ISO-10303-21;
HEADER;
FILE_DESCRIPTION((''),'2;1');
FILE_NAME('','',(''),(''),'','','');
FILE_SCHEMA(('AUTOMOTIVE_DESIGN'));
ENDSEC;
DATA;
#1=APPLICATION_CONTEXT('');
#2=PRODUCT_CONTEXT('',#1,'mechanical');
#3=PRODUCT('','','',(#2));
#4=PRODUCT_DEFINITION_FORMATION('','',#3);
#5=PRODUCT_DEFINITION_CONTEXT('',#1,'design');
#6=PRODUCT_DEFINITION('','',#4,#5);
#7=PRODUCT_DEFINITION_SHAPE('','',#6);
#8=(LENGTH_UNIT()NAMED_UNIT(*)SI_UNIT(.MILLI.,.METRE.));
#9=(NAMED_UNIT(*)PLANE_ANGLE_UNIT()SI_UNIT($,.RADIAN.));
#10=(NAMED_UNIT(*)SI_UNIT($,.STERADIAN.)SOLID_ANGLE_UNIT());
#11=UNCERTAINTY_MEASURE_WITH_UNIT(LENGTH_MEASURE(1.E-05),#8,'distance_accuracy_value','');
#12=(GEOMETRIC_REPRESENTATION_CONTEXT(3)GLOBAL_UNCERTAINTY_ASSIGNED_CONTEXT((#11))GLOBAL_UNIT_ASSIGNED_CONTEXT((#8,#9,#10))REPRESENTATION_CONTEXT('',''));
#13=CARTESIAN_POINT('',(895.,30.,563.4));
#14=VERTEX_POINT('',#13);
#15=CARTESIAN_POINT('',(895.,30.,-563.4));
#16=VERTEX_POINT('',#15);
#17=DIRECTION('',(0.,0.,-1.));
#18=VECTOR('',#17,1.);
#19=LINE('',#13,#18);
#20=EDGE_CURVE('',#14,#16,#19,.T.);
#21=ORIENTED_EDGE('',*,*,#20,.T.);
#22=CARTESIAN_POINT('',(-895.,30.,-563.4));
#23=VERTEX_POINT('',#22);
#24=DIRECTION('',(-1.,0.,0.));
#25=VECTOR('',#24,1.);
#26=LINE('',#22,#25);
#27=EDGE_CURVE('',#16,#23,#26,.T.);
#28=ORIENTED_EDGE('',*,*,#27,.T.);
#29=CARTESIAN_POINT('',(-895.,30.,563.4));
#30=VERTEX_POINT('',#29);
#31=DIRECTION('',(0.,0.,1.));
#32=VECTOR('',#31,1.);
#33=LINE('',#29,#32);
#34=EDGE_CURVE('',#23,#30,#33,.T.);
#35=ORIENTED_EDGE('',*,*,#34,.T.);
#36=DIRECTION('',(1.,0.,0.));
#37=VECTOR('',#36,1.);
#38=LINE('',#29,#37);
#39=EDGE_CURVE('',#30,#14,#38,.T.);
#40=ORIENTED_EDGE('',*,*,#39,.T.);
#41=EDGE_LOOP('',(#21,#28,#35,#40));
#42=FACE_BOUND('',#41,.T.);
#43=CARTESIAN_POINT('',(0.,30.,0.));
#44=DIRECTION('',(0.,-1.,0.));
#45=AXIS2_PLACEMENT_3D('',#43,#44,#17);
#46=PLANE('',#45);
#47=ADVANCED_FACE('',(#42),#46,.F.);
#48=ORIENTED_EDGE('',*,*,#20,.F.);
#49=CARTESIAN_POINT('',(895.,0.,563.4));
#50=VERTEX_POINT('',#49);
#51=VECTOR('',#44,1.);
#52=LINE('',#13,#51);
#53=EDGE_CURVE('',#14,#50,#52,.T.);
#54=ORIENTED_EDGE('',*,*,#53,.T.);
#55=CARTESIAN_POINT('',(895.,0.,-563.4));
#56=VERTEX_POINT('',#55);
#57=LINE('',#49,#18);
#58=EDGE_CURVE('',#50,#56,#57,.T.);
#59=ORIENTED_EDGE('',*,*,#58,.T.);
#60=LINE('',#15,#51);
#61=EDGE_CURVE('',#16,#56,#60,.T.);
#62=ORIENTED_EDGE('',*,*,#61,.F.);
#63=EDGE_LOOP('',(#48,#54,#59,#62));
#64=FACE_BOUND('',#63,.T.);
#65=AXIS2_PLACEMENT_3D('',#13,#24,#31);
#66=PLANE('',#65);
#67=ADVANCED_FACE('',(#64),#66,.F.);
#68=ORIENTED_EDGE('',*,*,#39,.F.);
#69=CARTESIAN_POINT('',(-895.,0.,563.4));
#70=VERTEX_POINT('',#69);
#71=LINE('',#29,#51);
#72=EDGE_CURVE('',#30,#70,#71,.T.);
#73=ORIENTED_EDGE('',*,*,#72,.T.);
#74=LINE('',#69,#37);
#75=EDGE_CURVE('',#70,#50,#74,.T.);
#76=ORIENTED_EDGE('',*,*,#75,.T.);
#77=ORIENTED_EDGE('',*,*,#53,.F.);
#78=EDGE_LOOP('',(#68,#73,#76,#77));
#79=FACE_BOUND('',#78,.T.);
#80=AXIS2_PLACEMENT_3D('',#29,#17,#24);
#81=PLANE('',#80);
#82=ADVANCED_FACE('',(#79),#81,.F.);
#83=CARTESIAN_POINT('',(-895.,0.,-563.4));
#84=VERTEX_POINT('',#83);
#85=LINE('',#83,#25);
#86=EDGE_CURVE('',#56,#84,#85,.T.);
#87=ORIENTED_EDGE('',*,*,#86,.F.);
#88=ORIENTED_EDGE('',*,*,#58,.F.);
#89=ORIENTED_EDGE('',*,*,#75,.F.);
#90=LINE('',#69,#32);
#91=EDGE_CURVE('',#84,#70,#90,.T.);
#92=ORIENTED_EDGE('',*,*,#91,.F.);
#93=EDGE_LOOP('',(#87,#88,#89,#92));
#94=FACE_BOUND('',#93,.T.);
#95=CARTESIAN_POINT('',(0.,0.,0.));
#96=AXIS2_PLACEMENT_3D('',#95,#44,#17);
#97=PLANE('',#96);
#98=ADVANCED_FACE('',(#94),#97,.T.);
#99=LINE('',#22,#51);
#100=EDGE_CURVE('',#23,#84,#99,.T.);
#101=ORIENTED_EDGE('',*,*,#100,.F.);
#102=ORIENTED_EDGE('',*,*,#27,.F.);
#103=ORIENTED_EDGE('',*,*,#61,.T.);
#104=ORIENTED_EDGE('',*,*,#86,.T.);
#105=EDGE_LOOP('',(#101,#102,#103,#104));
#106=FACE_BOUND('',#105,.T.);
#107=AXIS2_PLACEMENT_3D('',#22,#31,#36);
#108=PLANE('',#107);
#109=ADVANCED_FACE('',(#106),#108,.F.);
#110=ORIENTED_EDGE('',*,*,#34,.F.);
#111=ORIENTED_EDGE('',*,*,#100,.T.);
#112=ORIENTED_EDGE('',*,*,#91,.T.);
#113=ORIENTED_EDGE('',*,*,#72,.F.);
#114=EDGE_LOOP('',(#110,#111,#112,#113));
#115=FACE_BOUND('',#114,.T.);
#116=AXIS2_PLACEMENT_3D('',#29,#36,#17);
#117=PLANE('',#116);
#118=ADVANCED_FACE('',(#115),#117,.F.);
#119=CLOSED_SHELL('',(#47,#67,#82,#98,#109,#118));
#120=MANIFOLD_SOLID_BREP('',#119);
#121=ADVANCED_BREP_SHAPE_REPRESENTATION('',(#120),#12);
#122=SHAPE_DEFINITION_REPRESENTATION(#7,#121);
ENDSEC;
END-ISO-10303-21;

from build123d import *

# Parameters (mm, degrees)
ESBO_O2_W                = 1790
ESBO_O2_H                = 1126.8
RESSALTO_EXTRUS_O1_DEPTH = 30


with BuildPart() as part:
    # Esboço2 → Ressalto-extrusão1 (new body)
    with BuildSketch(Plane(origin=(0, 0, 0), x_dir=(1, 0, 0), z_dir=(0, 1, 0))):
        Rectangle(ESBO_O2_W, ESBO_O2_H)
    extrude(amount=RESSALTO_EXTRUS_O1_DEPTH)


solid = part.part
